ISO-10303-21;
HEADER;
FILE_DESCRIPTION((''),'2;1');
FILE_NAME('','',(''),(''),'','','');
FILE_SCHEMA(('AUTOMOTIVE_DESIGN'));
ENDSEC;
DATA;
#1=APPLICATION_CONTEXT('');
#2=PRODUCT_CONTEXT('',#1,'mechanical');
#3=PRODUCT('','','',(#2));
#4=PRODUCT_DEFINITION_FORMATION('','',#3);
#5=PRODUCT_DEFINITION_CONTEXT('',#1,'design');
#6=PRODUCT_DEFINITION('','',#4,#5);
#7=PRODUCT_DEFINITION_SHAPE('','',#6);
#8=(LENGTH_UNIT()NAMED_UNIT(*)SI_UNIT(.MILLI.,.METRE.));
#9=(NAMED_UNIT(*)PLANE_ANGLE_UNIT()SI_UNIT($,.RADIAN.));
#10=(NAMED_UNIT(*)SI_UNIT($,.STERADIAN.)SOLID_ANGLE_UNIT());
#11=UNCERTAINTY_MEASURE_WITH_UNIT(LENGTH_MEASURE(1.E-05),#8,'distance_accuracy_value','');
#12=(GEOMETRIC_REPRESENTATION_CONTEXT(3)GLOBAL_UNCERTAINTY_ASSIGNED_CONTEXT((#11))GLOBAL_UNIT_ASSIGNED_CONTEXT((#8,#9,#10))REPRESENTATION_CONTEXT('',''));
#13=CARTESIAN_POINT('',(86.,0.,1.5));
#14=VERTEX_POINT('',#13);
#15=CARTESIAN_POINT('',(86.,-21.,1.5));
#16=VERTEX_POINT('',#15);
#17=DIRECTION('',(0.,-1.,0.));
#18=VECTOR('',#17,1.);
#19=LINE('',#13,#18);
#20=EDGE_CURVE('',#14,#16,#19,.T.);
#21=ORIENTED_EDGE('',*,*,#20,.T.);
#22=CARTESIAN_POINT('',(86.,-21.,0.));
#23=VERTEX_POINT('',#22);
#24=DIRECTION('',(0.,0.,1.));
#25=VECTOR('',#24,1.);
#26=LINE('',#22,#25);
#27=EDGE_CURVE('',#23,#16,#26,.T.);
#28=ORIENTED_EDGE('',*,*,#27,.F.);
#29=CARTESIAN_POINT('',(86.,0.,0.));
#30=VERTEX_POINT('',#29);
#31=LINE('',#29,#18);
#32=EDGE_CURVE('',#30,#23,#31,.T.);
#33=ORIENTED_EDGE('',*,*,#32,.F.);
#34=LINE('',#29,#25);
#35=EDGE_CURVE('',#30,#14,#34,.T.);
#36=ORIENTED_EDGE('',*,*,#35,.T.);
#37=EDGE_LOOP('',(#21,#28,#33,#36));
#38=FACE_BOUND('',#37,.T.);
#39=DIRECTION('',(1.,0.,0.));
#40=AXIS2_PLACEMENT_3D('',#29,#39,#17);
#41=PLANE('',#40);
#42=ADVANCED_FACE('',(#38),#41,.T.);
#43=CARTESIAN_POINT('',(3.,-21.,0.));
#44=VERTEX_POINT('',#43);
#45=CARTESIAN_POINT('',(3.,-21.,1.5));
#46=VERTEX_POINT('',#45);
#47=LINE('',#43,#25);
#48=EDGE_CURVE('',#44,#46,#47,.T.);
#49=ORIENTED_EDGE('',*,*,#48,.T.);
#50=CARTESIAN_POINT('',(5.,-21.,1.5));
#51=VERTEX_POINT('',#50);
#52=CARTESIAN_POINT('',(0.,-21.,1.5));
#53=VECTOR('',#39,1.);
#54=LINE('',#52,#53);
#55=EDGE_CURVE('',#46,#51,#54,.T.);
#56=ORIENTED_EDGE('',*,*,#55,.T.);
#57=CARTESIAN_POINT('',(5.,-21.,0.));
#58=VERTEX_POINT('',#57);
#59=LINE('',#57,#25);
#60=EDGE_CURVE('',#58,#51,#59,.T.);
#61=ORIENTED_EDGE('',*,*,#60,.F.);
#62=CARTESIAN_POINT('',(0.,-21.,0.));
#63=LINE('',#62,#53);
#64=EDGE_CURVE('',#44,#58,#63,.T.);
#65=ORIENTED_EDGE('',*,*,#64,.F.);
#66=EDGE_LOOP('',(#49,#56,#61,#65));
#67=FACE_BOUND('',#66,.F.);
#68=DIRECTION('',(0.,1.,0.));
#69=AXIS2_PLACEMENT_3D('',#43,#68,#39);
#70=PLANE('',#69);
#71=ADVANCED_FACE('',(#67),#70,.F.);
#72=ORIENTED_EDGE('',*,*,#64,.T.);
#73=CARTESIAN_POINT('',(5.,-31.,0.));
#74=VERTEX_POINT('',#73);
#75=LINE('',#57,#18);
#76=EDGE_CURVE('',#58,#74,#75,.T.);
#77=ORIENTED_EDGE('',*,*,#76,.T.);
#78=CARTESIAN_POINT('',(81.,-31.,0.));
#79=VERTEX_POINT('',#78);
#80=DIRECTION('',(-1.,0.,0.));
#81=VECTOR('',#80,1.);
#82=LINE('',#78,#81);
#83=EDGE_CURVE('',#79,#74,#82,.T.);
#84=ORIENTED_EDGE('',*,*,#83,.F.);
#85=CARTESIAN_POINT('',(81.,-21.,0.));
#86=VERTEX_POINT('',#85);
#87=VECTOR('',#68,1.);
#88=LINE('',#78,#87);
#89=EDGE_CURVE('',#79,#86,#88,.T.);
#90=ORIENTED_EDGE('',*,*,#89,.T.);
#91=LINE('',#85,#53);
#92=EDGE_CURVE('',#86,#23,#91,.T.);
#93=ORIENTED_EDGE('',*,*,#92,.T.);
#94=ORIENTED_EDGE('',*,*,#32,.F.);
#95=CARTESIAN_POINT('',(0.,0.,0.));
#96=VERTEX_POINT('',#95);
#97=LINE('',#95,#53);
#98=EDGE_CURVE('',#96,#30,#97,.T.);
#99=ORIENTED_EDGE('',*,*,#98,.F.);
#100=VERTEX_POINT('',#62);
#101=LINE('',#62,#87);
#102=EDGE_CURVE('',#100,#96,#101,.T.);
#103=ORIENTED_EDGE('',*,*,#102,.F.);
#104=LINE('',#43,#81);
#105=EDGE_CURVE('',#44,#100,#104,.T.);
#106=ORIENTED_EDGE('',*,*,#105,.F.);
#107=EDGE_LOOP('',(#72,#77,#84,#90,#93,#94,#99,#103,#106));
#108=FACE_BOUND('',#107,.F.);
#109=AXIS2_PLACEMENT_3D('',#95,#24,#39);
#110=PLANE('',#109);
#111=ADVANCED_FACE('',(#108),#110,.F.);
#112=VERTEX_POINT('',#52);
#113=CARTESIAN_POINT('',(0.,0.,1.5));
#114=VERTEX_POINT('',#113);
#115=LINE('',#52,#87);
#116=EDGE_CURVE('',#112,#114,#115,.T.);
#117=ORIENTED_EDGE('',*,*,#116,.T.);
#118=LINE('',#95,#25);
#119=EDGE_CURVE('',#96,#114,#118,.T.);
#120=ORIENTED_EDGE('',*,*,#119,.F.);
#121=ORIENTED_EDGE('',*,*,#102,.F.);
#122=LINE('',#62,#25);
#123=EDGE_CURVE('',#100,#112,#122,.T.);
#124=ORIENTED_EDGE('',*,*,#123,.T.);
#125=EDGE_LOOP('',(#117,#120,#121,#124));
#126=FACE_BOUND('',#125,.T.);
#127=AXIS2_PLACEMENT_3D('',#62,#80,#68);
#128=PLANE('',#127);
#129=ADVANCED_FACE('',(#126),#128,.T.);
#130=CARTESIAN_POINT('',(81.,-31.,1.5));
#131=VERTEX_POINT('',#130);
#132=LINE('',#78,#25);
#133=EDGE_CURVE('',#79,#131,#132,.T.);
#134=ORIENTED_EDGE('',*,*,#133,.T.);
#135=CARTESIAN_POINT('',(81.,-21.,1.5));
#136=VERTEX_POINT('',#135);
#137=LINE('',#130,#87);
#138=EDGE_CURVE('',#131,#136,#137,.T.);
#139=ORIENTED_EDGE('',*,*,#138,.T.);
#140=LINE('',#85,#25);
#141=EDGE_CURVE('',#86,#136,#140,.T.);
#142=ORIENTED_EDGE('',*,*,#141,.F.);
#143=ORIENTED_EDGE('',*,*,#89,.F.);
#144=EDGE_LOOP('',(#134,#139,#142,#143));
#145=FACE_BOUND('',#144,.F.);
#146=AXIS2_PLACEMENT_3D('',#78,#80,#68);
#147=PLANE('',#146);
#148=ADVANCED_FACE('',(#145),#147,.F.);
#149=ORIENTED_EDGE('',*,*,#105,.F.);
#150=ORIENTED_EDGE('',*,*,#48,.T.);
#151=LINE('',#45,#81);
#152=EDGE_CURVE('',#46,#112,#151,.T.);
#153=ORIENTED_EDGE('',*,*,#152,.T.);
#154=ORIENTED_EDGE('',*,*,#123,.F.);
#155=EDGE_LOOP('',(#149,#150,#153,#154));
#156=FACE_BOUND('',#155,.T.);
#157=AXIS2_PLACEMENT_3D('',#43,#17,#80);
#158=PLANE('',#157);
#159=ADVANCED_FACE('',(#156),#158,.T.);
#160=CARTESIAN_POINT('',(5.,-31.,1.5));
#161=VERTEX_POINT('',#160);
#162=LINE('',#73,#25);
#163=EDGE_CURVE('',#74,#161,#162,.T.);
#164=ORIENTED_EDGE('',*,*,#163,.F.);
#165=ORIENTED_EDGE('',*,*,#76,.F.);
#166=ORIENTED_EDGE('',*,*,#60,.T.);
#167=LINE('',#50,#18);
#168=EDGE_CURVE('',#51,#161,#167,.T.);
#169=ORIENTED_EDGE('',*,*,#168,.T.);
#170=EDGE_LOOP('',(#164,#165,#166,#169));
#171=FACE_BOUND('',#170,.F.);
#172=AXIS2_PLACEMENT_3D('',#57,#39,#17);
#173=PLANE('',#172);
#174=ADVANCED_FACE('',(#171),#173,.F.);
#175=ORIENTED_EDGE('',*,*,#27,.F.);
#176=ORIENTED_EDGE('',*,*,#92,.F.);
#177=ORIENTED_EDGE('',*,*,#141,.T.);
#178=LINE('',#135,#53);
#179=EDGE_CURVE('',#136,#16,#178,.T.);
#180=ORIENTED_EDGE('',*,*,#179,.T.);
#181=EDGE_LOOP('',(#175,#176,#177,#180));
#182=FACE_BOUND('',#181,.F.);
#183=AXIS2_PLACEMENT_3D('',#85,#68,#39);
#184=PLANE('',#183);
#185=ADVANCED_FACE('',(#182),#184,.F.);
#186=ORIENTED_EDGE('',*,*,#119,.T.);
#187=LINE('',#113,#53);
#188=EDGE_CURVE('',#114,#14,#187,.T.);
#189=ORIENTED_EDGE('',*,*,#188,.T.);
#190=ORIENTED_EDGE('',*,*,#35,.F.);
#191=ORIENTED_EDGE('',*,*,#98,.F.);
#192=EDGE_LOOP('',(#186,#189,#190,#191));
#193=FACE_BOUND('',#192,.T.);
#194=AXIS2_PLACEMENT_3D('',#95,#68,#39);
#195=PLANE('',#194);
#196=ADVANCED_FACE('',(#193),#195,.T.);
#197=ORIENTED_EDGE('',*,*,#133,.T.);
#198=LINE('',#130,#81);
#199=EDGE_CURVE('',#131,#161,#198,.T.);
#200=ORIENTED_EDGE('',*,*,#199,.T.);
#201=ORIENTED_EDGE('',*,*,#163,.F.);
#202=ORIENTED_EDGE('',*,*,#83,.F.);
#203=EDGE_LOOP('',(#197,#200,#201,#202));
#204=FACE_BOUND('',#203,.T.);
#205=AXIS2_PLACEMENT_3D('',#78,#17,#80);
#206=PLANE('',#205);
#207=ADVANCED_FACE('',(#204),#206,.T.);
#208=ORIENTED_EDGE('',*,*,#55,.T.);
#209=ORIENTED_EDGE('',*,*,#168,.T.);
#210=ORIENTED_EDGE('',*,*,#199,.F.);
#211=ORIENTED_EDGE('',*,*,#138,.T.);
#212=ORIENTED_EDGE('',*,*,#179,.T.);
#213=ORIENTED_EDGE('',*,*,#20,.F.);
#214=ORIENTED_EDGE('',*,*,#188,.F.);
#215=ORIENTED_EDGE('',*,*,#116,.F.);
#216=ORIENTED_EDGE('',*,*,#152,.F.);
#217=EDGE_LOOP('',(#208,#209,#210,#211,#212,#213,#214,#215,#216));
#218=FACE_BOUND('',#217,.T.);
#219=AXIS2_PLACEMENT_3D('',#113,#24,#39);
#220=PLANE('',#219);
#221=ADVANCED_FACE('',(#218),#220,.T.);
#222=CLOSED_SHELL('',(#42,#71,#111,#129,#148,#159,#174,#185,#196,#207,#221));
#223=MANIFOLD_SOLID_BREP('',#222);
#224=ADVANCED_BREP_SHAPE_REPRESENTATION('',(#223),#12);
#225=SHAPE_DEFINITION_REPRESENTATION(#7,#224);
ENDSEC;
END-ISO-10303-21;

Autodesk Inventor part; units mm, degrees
ref_plane "YZ Plane" through (0, 0, 0) normal (1, 0, 0) x (0, 1, 0)
ref_plane "XZ Plane" through (0, 0, 0) normal (0, 1, 0) x (-1, 0, 0)
ref_plane "XY Plane" through (0, 0, 0) normal (0, 0, 1) x (1, 0, 0)
sketch "Esboço1" plane through (0, 0, 0) normal (0, 0, 1) x (1, 0, 0)
  line L0 (0, 0) -> (86, 0)
  line L1 (86, 0) -> (86, -21)
  line L2 (81, -31) -> (5, -31)
  line L3 (0, -21) -> (0, 0)
  line L4 (81, -31) -> (81, -21)
  line L5 (81, -21) -> (86, -21)
  line L6 (3, -21) -> (0, -21)
  line L7 (0, -21) -> (5, -21)
  line L8 (5, -21) -> (5, -31)
extrude "Extrusão1" add sketch "Esboço1" along normal blind 1.5
properties part number "Array de sensores"
